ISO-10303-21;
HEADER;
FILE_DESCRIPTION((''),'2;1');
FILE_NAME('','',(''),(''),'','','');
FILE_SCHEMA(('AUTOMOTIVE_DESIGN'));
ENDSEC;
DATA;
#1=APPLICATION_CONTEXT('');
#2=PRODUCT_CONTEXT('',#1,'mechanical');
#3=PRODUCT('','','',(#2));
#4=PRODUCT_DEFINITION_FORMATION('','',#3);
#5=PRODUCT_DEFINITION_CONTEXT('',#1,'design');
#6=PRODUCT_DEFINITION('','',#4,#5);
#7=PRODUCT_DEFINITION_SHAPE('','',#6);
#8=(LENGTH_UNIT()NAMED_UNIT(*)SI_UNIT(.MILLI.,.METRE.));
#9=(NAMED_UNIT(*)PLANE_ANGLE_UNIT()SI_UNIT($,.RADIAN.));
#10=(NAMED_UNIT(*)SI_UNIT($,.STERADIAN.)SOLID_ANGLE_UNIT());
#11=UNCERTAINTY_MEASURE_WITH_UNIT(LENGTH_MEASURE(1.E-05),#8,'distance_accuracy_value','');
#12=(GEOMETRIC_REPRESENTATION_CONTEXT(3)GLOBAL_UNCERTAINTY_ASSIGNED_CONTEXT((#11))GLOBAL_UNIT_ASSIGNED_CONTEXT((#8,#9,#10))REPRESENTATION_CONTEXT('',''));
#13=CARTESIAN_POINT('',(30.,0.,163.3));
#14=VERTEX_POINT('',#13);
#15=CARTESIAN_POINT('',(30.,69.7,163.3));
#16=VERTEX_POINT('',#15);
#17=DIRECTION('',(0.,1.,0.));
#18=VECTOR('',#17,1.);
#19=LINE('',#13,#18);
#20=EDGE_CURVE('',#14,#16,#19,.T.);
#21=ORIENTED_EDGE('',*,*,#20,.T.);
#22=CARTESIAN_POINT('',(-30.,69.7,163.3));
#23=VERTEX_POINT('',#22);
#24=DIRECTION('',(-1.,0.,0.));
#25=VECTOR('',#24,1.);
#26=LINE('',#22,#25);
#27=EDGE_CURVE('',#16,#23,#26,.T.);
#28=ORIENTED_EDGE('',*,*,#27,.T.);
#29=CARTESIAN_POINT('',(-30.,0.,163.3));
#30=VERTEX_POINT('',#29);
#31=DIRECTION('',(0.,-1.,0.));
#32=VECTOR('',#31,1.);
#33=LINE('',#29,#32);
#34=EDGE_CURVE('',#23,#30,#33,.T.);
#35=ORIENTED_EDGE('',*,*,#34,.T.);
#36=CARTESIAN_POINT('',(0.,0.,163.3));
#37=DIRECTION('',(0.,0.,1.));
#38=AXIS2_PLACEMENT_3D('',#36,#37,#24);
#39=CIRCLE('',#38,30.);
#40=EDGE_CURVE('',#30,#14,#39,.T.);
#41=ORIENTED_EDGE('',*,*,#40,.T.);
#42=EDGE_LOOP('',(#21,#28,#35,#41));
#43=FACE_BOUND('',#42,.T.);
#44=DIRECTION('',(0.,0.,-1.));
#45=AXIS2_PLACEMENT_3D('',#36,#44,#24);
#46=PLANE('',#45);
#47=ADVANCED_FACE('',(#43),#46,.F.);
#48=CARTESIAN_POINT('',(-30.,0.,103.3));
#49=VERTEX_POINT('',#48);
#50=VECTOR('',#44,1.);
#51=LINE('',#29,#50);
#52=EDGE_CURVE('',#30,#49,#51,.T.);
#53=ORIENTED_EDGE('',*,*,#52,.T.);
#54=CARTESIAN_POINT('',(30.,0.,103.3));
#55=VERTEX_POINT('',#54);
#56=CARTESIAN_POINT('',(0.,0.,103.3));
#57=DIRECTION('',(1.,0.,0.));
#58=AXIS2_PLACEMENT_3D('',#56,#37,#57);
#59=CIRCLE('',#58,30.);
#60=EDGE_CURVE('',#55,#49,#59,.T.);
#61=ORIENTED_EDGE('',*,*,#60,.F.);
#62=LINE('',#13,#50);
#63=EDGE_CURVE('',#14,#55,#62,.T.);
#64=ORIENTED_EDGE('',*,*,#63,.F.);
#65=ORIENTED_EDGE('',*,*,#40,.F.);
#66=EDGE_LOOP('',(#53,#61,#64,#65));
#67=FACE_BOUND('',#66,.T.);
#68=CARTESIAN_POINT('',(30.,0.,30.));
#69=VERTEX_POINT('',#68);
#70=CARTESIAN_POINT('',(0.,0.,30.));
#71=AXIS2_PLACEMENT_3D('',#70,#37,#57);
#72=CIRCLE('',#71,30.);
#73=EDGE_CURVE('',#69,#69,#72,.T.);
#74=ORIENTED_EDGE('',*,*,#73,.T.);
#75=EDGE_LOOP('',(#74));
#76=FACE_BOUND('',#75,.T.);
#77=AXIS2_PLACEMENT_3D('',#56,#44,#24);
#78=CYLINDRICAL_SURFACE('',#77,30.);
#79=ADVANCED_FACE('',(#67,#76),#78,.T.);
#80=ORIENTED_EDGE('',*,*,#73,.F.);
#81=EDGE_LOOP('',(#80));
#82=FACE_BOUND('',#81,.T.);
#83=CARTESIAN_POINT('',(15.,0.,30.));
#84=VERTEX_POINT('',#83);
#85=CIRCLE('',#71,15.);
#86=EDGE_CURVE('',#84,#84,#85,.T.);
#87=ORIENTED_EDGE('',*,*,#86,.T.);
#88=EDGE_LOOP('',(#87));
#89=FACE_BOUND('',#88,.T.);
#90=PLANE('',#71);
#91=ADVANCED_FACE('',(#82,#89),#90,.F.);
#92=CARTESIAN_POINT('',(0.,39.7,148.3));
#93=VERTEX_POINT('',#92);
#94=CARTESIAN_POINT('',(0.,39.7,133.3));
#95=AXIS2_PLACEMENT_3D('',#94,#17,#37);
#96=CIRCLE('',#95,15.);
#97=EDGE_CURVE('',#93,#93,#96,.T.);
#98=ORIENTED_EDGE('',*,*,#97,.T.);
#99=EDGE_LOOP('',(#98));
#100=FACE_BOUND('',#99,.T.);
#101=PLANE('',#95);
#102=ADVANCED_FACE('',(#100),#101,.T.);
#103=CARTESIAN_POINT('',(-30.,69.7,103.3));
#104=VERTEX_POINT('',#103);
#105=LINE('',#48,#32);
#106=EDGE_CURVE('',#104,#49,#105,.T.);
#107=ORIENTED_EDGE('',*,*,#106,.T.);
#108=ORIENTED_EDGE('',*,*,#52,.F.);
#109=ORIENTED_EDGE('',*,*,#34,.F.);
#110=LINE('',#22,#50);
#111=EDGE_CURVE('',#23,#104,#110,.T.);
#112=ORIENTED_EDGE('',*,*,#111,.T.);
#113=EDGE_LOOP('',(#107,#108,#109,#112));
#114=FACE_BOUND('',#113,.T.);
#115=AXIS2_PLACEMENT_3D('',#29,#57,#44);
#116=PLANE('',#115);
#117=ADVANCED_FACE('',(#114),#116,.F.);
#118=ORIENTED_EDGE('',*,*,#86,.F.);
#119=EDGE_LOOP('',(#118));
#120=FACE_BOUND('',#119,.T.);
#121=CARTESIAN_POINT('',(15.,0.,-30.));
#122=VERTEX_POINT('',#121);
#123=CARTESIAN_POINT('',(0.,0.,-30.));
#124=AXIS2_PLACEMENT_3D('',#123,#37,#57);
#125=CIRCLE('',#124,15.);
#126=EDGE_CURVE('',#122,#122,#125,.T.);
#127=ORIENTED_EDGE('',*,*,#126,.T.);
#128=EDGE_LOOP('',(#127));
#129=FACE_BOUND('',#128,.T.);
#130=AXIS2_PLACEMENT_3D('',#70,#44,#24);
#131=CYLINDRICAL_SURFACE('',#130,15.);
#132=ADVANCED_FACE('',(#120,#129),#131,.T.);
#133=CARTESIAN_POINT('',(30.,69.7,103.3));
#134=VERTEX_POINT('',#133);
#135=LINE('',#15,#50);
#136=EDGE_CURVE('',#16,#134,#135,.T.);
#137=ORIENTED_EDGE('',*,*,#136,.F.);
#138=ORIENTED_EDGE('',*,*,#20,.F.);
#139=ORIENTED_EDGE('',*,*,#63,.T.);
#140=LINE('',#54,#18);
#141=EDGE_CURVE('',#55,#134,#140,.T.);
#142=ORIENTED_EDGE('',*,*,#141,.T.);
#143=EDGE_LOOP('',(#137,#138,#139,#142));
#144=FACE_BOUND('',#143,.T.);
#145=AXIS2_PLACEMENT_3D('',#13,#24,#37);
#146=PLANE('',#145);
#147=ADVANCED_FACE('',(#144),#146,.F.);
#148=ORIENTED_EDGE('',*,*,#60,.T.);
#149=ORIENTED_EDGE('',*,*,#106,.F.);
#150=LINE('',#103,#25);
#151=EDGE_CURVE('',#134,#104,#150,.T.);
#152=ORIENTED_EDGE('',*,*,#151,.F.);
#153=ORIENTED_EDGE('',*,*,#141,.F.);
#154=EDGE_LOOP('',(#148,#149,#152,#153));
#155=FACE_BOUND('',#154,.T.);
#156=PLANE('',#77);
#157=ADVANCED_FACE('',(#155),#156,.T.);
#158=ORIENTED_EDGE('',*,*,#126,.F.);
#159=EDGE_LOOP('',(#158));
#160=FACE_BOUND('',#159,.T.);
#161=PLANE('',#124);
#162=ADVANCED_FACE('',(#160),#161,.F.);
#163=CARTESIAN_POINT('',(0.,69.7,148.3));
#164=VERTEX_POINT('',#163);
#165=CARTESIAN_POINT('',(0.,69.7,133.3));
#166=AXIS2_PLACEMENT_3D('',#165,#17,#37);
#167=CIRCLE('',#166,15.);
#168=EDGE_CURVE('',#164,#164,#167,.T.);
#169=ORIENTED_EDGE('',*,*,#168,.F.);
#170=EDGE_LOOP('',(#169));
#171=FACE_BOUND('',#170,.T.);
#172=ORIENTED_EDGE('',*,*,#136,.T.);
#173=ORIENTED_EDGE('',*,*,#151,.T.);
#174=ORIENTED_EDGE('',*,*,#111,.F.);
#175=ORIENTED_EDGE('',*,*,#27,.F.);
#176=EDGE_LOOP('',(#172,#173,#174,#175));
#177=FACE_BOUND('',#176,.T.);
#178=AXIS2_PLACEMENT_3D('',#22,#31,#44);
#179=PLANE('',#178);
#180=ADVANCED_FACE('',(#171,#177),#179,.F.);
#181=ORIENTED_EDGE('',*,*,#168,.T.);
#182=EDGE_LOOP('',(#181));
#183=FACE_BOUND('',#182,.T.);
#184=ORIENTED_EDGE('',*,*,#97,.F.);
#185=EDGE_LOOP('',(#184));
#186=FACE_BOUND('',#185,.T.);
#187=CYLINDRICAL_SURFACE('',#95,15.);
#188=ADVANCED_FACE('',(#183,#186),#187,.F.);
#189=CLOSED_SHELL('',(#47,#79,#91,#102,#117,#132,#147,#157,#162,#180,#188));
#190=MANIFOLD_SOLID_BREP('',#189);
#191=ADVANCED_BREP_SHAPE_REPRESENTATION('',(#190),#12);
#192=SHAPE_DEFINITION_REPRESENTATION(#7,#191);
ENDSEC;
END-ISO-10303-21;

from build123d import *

# Parameters (mm, degrees)
SKETCH1_LINK4_R     = 15
BOSS_EXTRUDE1_DEPTH = 30
SKETCH2_LINK4_R     = 30
BOSS_EXTRUDE2_DEPTH = 73.3
BOSS_EXTRUDE3_DEPTH = 60
SKETCH4_LINK4_R     = 15
CUT_EXTRUDE1_DEPTH  = 30


with BuildPart() as part:
    # sketch1_link4 → Boss-Extrude1 (new body, symmetric)
    with BuildSketch(Plane.XY):
        Circle(SKETCH1_LINK4_R)
    extrude(amount=BOSS_EXTRUDE1_DEPTH, both=True)

    # sketch2_link4 → Boss-Extrude2 (add)
    with BuildSketch(Plane.XY.offset(30)):
        Circle(SKETCH2_LINK4_R)
    extrude(amount=BOSS_EXTRUDE2_DEPTH)

    # sketch3_link4 → Boss-Extrude3 (add)
    with BuildSketch(Plane.XY.offset(103.3)):
        with BuildLine():
            Line((-30, 0), (-30, 69.7))
            Line((-30, 69.7), (30, 69.7))
            Line((30, 69.7), (30, 0))
            ThreePointArc((30, 0), (0, -30), (-30, 0))
        make_face()
    extrude(amount=BOSS_EXTRUDE3_DEPTH)

    # sketch4_link4 → Cut-Extrude1 (cut)
    with BuildSketch(Plane(origin=(0, 69.7, 0), x_dir=(1, 0, 0), z_dir=(0, 1, 0))):
        with Locations((0, -133.3)):
            Circle(SKETCH4_LINK4_R)
    extrude(amount=-CUT_EXTRUDE1_DEPTH, mode=Mode.SUBTRACT)


solid = part.part
